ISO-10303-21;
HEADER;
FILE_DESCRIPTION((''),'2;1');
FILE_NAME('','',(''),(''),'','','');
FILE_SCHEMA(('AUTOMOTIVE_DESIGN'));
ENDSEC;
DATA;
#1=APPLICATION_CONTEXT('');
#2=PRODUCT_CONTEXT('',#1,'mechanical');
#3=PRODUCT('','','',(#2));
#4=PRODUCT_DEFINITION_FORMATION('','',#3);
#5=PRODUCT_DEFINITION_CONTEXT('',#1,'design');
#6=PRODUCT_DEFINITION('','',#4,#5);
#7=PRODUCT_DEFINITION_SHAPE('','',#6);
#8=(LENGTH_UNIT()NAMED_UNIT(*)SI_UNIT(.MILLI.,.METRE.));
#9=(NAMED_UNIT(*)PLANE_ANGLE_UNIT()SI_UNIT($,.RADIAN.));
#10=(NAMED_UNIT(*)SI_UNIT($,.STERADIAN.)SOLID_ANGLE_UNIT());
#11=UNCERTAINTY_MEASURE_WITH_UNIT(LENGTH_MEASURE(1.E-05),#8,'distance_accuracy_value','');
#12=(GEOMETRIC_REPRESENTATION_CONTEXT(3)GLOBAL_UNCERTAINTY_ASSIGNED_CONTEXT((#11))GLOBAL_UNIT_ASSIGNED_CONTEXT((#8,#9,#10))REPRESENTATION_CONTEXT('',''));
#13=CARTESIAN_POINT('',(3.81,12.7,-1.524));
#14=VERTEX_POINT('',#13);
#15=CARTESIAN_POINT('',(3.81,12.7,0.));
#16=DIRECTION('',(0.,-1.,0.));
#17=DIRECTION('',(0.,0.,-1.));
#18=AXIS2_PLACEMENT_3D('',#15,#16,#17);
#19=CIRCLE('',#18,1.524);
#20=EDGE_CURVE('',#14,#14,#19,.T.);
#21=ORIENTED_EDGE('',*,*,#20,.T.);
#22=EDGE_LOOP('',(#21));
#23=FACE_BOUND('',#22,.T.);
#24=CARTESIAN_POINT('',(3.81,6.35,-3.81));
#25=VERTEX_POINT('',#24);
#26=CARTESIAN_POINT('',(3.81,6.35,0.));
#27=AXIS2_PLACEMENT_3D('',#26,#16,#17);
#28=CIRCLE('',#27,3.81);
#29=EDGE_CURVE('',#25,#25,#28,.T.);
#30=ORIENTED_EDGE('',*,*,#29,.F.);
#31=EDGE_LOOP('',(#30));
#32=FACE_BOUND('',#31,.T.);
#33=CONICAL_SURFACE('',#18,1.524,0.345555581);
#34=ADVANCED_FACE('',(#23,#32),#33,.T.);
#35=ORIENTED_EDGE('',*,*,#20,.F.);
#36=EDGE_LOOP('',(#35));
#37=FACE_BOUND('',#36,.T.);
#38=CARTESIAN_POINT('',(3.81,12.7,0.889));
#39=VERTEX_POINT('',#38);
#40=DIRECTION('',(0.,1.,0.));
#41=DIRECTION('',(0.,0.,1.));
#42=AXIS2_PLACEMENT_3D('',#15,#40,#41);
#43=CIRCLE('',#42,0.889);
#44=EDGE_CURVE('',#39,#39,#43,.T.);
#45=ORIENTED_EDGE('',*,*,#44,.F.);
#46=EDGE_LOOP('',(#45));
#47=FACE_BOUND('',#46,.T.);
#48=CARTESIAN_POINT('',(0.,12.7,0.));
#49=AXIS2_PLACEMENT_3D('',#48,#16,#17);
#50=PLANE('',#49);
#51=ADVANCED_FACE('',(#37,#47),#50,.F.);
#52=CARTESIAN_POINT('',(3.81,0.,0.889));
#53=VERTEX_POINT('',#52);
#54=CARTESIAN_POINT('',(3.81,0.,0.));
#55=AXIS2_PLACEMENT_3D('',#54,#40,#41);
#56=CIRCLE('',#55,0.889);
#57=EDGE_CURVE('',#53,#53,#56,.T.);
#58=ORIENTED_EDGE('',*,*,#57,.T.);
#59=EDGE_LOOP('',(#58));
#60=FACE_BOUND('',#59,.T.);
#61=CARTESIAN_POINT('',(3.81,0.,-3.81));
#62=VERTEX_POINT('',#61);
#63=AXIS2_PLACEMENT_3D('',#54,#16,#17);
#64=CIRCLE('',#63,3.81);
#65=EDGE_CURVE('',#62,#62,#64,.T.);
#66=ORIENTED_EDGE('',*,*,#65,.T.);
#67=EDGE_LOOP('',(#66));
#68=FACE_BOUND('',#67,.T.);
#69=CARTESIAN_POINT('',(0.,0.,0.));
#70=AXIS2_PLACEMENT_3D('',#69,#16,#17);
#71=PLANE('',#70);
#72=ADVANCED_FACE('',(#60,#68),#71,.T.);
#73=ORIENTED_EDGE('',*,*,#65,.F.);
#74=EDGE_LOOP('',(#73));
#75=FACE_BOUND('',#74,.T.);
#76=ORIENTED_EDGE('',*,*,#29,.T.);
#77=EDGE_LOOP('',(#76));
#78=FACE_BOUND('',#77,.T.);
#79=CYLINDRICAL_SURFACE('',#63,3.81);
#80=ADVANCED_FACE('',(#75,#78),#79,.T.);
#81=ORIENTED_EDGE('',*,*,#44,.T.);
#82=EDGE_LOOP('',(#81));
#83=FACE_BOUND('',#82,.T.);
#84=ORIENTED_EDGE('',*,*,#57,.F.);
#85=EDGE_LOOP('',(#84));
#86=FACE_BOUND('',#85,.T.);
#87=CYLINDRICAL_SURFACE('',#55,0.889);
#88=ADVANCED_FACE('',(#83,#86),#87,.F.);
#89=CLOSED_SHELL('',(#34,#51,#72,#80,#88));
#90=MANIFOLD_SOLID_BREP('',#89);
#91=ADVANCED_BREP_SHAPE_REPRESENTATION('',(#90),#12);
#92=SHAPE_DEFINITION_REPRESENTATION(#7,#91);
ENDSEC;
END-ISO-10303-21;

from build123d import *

# Parameters (mm, degrees)
SKETCH1_W          = 3.81
SKETCH1_H          = 6.35
SKETCH2_R          = 0.889
CUT_EXTRUDE1_DEPTH = 13.7


with BuildPart() as part:
    # Sketch1 → Revolve1 (revolve)
    with BuildSketch(Plane.XY):
        Polygon((3.81, 12.7), (3.81, 6.35), (7.62, 6.35), (5.334, 12.7), align=None)
        with Locations((5.715, 3.175)):
            Rectangle(SKETCH1_W, SKETCH1_H)
    revolve(axis=Axis((3.81, 0, 0), (0, 1, 0)))

    # Sketch2 → Cut-Extrude1 (cut, through all)
    with BuildSketch(Plane(origin=(0, 12.7, 0), x_dir=(1, 0, 0), z_dir=(0, 1, 0))):
        with Locations((3.81, 0)):
            Circle(SKETCH2_R)
    extrude(amount=-CUT_EXTRUDE1_DEPTH, mode=Mode.SUBTRACT)


solid = part.part
